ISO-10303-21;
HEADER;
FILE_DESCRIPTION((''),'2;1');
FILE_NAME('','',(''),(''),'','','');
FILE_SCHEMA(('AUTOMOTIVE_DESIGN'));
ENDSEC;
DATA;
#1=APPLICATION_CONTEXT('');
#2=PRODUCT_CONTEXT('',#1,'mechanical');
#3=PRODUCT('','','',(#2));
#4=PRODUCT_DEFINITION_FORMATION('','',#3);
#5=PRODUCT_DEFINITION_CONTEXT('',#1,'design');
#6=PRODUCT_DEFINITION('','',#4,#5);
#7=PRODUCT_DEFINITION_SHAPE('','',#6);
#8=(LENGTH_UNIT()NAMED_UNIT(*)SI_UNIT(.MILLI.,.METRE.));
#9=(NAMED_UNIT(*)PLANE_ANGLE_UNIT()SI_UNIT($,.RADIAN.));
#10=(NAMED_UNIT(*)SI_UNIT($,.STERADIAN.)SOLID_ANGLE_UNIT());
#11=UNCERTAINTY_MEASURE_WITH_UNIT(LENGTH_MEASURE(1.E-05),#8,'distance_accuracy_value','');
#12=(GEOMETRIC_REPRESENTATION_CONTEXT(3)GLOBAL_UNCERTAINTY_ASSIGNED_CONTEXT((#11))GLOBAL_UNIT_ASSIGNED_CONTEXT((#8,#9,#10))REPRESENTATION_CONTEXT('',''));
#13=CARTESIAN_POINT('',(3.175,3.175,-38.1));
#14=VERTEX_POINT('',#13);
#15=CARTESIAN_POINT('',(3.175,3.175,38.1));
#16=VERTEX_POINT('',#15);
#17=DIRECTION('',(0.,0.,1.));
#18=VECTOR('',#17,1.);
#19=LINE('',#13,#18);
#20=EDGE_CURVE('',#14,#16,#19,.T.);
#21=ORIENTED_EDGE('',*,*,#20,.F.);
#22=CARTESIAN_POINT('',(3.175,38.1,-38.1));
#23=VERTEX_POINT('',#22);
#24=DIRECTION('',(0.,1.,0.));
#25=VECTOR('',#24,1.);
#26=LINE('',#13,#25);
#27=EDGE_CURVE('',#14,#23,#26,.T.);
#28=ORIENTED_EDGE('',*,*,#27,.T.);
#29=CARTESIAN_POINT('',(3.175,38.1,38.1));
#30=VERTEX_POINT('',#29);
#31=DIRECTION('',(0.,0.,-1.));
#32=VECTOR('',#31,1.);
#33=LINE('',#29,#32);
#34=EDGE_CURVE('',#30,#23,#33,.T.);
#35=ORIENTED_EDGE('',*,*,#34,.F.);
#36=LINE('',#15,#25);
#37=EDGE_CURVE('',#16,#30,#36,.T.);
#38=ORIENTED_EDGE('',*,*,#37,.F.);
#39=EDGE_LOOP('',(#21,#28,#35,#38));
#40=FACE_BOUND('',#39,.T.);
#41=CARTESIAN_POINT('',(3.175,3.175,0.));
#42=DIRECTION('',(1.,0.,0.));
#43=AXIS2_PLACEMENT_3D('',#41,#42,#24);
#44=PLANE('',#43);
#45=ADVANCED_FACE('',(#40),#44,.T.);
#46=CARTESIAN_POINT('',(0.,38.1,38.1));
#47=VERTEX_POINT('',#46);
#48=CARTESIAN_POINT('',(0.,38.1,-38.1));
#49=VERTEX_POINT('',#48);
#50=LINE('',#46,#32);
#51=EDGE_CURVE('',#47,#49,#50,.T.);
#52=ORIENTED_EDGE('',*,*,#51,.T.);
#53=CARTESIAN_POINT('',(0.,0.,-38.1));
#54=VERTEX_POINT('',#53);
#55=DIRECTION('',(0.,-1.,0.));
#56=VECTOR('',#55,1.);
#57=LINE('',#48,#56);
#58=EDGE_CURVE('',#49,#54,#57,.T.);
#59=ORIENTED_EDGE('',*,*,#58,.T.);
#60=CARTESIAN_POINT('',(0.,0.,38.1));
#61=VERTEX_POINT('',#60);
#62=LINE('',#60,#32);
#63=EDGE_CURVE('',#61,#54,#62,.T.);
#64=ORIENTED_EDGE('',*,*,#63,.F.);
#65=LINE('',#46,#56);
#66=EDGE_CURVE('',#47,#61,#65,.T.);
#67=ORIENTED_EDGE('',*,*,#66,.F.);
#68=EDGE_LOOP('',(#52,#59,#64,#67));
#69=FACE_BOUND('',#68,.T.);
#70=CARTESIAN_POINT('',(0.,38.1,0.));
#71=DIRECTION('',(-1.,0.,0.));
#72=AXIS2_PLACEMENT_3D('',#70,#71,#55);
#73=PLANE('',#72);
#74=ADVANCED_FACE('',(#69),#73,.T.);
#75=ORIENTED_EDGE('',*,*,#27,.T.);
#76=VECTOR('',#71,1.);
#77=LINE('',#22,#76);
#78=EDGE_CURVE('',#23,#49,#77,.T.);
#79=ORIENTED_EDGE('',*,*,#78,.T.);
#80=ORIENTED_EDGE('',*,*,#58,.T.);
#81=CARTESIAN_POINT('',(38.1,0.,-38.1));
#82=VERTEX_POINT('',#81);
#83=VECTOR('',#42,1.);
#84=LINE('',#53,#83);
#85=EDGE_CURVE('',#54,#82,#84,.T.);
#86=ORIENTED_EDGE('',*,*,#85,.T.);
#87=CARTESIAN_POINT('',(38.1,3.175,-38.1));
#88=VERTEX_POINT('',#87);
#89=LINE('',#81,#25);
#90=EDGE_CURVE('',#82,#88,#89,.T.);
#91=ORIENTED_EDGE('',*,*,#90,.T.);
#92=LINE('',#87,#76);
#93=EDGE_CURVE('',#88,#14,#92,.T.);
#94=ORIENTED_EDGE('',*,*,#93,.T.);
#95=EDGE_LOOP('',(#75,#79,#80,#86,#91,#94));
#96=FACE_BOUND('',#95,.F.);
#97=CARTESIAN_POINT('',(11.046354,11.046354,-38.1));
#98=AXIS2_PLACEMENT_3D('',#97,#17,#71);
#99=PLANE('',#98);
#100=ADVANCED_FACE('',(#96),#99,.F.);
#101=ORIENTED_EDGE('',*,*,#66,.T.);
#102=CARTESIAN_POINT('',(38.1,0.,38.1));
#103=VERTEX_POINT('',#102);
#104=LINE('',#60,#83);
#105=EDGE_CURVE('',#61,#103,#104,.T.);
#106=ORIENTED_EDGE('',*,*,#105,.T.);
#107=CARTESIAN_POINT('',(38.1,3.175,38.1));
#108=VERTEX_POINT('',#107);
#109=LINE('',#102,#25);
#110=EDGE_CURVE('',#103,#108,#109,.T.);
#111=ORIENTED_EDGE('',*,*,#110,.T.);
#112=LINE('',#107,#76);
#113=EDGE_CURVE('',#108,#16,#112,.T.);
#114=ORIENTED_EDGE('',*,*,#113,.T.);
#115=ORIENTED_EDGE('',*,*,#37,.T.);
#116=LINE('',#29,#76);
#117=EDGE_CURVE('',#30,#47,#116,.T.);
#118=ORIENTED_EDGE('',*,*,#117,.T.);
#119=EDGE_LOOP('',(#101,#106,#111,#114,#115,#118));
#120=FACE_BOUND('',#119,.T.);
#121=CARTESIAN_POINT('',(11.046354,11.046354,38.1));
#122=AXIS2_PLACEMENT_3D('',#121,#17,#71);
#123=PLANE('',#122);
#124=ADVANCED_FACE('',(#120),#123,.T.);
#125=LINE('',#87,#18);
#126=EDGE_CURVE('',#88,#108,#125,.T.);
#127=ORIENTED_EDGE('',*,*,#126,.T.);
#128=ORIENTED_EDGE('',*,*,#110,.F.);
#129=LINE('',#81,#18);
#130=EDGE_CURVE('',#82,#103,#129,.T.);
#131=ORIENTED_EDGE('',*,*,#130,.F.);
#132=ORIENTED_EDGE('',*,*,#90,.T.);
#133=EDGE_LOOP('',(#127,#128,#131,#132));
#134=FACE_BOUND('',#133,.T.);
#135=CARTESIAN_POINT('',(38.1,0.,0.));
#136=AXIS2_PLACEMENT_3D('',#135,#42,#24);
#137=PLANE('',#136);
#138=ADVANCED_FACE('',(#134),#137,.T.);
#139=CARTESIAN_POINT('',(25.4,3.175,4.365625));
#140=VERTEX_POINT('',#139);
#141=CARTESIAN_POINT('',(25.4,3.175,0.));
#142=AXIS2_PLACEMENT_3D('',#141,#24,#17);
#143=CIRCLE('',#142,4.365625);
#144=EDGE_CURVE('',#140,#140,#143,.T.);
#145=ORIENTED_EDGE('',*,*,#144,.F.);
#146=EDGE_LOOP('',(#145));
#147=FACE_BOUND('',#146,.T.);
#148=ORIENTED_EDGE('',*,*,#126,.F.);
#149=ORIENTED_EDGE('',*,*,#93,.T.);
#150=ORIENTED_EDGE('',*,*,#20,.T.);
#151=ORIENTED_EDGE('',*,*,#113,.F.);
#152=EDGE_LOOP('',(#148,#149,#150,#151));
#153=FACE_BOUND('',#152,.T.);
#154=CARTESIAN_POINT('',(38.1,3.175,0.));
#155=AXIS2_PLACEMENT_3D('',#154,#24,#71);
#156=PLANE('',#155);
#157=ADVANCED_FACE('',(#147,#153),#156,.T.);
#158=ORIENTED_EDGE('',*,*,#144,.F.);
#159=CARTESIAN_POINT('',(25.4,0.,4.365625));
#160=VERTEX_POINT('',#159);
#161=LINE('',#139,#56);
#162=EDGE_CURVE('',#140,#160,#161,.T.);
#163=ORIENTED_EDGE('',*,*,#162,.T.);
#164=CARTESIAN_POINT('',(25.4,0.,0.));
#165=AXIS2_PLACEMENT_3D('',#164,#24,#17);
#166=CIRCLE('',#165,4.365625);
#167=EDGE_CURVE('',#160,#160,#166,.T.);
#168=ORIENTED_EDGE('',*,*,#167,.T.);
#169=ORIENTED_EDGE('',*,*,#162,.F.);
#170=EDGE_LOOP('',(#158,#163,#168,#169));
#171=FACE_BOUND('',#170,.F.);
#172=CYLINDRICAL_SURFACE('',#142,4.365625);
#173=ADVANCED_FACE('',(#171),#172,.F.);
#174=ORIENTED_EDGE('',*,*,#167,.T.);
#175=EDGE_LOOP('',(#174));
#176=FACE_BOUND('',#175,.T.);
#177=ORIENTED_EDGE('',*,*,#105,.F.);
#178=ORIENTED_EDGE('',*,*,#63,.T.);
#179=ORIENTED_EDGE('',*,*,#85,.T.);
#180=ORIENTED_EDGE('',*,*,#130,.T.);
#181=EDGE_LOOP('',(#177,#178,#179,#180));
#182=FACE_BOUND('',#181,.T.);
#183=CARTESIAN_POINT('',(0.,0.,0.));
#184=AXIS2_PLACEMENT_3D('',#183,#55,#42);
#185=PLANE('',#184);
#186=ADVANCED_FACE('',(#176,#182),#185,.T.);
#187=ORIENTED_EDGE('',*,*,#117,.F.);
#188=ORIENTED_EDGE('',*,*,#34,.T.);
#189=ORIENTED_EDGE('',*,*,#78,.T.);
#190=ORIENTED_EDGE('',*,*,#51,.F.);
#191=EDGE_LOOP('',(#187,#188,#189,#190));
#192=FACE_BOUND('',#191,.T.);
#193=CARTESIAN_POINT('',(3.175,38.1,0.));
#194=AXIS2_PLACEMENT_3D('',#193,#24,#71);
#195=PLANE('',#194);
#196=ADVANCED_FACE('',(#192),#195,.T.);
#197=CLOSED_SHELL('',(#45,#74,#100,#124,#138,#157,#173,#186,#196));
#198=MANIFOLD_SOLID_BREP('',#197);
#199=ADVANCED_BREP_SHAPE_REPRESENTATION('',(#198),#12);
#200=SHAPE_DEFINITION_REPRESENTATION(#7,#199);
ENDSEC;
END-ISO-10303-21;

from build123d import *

# Parameters (mm, degrees)
BOSS_EXTRUDE1_DEPTH = 38.1
CUT_EXTRUDE1_REACH  = 5.175
SKETCH3_R           = 4.365625


with BuildPart() as part:
    # Sketch1 → Boss-Extrude1 (new body, symmetric)
    with BuildSketch(Plane(origin=(0, 0, 0), x_dir=(-1, 0, 0), z_dir=(0, 0, 1))):
        Polygon((0, 0), (-38.1, 0), (-38.1, -3.175), (-3.175, -3.175), (-3.175, -38.1), (0, -38.1), align=None)
    extrude(amount=BOSS_EXTRUDE1_DEPTH, both=True)

    # Sketch3 → Cut-Extrude1 (cut, up to next)
    with BuildSketch(Plane(origin=(0, 3.175, 0), x_dir=(1, 0, 0), z_dir=(0, 1, 0)), mode=Mode.PRIVATE) as cut_extrude1_sk1:
        with Locations(Location((25.4, 0, 0), (0, 0, 270))):  # turned: the seam where the file's is
            Circle(SKETCH3_R)
    cut_extrude1_tool1 = extrude(cut_extrude1_sk1.sketch, amount=-CUT_EXTRUDE1_REACH, mode=Mode.PRIVATE) & part.part
    add(cut_extrude1_tool1.solids().sort_by_distance((25.4, 3.175, 0))[0], mode=Mode.SUBTRACT)


solid = part.part
